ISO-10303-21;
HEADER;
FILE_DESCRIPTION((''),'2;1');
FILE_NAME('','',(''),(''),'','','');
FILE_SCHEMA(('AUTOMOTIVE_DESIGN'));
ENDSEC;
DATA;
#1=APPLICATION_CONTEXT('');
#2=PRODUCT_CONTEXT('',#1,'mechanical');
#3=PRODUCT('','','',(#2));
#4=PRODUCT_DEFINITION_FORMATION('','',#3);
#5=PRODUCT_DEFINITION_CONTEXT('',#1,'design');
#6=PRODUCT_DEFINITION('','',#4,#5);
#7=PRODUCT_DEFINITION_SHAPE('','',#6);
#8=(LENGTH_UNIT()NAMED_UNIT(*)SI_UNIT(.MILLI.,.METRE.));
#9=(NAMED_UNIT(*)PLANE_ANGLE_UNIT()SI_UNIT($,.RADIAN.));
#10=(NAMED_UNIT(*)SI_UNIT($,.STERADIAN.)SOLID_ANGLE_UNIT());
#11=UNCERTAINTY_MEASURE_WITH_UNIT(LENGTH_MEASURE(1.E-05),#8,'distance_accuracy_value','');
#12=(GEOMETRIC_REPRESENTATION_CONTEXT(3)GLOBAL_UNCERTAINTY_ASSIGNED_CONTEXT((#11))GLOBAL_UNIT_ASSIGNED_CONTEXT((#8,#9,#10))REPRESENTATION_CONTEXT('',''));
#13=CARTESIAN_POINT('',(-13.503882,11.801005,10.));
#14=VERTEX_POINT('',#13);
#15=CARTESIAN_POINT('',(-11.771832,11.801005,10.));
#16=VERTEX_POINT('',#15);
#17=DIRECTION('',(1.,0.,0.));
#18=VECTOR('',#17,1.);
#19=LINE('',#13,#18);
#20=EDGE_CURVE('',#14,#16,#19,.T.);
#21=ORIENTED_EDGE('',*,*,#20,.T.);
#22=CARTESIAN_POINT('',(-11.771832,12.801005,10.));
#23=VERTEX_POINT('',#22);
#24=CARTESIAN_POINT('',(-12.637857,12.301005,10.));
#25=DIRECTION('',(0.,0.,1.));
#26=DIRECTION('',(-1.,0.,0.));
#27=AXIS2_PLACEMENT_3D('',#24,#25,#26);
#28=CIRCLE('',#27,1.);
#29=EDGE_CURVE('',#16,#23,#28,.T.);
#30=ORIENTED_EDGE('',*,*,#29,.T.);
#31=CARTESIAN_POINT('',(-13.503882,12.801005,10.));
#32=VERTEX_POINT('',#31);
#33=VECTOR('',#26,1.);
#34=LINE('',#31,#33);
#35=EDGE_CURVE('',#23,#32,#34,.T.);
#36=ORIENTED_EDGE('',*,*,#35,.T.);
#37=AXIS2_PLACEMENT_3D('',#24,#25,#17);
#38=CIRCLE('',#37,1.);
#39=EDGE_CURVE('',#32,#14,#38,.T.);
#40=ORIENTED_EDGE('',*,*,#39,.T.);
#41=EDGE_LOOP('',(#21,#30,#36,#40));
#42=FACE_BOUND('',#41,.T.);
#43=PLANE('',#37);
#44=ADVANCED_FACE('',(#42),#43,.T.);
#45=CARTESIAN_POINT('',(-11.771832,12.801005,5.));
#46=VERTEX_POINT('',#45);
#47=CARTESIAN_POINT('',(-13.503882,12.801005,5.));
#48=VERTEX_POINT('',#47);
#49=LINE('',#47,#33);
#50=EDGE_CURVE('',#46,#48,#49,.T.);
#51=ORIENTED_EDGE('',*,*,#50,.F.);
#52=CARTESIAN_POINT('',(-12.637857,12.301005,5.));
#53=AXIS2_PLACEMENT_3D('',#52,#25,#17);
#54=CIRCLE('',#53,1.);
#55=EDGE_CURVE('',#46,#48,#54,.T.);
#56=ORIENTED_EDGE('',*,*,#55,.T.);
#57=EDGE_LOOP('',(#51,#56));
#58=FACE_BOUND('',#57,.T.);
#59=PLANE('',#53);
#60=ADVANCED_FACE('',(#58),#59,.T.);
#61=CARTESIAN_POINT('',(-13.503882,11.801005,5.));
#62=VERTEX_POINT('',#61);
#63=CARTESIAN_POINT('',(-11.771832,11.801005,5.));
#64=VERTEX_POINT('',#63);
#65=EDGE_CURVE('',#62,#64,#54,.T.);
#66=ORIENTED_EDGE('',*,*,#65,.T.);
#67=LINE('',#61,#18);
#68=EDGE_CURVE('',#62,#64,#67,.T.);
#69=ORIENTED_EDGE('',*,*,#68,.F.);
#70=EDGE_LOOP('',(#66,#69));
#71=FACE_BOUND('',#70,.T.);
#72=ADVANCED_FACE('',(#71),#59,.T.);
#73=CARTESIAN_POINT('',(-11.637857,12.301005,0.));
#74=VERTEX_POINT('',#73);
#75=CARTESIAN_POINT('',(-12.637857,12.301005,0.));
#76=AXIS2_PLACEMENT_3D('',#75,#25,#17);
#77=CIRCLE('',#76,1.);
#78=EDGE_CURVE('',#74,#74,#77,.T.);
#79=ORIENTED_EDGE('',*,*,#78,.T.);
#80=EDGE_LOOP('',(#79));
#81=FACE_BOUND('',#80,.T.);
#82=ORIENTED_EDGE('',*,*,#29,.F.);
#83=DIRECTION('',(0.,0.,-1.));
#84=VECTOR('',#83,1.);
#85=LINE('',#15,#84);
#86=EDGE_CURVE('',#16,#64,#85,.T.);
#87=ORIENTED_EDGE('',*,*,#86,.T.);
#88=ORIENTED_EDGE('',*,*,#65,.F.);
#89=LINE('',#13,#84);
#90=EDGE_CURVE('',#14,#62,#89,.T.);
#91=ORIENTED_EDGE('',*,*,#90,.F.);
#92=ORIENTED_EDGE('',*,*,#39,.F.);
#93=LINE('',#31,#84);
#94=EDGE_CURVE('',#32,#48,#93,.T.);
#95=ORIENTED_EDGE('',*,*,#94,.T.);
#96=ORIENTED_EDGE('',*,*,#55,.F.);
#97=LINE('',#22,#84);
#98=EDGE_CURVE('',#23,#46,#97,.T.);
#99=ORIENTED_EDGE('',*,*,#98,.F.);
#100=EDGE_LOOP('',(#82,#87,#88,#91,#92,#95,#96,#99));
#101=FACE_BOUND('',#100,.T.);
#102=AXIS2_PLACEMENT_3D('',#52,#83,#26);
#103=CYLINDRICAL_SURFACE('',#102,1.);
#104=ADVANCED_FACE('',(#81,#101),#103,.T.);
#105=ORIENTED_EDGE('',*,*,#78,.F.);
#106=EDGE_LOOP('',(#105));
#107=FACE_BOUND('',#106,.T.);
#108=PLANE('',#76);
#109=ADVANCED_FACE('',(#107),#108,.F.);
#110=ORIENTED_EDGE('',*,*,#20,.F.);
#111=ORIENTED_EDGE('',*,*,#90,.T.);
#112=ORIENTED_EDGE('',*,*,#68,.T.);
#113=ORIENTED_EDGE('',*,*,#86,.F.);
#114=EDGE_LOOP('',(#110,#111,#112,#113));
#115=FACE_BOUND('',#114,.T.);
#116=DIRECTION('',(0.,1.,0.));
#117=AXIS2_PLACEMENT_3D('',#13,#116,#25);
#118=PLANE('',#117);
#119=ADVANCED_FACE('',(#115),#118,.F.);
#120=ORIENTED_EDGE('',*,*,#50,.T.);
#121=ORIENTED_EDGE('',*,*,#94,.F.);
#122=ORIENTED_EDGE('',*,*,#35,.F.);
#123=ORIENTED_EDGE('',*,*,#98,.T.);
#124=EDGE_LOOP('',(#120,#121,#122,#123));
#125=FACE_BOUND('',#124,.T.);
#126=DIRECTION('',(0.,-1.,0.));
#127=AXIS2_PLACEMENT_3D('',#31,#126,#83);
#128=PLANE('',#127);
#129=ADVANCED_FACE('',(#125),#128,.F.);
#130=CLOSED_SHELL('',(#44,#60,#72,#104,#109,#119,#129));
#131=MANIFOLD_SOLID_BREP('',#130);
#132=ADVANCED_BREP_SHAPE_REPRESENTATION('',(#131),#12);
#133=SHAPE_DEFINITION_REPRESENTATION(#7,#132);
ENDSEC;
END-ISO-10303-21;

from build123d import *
from build123d.topology import SkipClean

# Parameters (mm, degrees)
SKETCH_1_R      = 1
EXTRUDE_1_DEPTH = 5
EXTRUDE_2_DEPTH = 5


with BuildPart() as part:
    # 草图1 → 凸台-拉伸1 (new body)
    with BuildSketch(Plane.XY):
        with Locations((-12.637856913, 12.301005314)):
            Circle(SKETCH_1_R)
    extrude(amount=EXTRUDE_1_DEPTH)

    # 草图2 → 凸台-拉伸2 (add)
    with SkipClean():  # the faces are left unmerged after this step: merging them gives an invalid solid
        with BuildSketch(Plane.XY.offset(5)):
            with BuildLine():
                Line((-13.503882317, 12.801005314), (-11.771831509, 12.801005314))
                ThreePointArc((-11.771831509, 12.801005314), (-11.637856913, 12.301005314), (-11.771831509, 11.801005314))
                Line((-11.771831509, 11.801005314), (-13.503882317, 11.801005314))
                ThreePointArc((-13.503882317, 11.801005314), (-13.637856913, 12.301005314), (-13.503882317, 12.801005314))
            make_face()
        extrude(amount=EXTRUDE_2_DEPTH)


solid = part.part
